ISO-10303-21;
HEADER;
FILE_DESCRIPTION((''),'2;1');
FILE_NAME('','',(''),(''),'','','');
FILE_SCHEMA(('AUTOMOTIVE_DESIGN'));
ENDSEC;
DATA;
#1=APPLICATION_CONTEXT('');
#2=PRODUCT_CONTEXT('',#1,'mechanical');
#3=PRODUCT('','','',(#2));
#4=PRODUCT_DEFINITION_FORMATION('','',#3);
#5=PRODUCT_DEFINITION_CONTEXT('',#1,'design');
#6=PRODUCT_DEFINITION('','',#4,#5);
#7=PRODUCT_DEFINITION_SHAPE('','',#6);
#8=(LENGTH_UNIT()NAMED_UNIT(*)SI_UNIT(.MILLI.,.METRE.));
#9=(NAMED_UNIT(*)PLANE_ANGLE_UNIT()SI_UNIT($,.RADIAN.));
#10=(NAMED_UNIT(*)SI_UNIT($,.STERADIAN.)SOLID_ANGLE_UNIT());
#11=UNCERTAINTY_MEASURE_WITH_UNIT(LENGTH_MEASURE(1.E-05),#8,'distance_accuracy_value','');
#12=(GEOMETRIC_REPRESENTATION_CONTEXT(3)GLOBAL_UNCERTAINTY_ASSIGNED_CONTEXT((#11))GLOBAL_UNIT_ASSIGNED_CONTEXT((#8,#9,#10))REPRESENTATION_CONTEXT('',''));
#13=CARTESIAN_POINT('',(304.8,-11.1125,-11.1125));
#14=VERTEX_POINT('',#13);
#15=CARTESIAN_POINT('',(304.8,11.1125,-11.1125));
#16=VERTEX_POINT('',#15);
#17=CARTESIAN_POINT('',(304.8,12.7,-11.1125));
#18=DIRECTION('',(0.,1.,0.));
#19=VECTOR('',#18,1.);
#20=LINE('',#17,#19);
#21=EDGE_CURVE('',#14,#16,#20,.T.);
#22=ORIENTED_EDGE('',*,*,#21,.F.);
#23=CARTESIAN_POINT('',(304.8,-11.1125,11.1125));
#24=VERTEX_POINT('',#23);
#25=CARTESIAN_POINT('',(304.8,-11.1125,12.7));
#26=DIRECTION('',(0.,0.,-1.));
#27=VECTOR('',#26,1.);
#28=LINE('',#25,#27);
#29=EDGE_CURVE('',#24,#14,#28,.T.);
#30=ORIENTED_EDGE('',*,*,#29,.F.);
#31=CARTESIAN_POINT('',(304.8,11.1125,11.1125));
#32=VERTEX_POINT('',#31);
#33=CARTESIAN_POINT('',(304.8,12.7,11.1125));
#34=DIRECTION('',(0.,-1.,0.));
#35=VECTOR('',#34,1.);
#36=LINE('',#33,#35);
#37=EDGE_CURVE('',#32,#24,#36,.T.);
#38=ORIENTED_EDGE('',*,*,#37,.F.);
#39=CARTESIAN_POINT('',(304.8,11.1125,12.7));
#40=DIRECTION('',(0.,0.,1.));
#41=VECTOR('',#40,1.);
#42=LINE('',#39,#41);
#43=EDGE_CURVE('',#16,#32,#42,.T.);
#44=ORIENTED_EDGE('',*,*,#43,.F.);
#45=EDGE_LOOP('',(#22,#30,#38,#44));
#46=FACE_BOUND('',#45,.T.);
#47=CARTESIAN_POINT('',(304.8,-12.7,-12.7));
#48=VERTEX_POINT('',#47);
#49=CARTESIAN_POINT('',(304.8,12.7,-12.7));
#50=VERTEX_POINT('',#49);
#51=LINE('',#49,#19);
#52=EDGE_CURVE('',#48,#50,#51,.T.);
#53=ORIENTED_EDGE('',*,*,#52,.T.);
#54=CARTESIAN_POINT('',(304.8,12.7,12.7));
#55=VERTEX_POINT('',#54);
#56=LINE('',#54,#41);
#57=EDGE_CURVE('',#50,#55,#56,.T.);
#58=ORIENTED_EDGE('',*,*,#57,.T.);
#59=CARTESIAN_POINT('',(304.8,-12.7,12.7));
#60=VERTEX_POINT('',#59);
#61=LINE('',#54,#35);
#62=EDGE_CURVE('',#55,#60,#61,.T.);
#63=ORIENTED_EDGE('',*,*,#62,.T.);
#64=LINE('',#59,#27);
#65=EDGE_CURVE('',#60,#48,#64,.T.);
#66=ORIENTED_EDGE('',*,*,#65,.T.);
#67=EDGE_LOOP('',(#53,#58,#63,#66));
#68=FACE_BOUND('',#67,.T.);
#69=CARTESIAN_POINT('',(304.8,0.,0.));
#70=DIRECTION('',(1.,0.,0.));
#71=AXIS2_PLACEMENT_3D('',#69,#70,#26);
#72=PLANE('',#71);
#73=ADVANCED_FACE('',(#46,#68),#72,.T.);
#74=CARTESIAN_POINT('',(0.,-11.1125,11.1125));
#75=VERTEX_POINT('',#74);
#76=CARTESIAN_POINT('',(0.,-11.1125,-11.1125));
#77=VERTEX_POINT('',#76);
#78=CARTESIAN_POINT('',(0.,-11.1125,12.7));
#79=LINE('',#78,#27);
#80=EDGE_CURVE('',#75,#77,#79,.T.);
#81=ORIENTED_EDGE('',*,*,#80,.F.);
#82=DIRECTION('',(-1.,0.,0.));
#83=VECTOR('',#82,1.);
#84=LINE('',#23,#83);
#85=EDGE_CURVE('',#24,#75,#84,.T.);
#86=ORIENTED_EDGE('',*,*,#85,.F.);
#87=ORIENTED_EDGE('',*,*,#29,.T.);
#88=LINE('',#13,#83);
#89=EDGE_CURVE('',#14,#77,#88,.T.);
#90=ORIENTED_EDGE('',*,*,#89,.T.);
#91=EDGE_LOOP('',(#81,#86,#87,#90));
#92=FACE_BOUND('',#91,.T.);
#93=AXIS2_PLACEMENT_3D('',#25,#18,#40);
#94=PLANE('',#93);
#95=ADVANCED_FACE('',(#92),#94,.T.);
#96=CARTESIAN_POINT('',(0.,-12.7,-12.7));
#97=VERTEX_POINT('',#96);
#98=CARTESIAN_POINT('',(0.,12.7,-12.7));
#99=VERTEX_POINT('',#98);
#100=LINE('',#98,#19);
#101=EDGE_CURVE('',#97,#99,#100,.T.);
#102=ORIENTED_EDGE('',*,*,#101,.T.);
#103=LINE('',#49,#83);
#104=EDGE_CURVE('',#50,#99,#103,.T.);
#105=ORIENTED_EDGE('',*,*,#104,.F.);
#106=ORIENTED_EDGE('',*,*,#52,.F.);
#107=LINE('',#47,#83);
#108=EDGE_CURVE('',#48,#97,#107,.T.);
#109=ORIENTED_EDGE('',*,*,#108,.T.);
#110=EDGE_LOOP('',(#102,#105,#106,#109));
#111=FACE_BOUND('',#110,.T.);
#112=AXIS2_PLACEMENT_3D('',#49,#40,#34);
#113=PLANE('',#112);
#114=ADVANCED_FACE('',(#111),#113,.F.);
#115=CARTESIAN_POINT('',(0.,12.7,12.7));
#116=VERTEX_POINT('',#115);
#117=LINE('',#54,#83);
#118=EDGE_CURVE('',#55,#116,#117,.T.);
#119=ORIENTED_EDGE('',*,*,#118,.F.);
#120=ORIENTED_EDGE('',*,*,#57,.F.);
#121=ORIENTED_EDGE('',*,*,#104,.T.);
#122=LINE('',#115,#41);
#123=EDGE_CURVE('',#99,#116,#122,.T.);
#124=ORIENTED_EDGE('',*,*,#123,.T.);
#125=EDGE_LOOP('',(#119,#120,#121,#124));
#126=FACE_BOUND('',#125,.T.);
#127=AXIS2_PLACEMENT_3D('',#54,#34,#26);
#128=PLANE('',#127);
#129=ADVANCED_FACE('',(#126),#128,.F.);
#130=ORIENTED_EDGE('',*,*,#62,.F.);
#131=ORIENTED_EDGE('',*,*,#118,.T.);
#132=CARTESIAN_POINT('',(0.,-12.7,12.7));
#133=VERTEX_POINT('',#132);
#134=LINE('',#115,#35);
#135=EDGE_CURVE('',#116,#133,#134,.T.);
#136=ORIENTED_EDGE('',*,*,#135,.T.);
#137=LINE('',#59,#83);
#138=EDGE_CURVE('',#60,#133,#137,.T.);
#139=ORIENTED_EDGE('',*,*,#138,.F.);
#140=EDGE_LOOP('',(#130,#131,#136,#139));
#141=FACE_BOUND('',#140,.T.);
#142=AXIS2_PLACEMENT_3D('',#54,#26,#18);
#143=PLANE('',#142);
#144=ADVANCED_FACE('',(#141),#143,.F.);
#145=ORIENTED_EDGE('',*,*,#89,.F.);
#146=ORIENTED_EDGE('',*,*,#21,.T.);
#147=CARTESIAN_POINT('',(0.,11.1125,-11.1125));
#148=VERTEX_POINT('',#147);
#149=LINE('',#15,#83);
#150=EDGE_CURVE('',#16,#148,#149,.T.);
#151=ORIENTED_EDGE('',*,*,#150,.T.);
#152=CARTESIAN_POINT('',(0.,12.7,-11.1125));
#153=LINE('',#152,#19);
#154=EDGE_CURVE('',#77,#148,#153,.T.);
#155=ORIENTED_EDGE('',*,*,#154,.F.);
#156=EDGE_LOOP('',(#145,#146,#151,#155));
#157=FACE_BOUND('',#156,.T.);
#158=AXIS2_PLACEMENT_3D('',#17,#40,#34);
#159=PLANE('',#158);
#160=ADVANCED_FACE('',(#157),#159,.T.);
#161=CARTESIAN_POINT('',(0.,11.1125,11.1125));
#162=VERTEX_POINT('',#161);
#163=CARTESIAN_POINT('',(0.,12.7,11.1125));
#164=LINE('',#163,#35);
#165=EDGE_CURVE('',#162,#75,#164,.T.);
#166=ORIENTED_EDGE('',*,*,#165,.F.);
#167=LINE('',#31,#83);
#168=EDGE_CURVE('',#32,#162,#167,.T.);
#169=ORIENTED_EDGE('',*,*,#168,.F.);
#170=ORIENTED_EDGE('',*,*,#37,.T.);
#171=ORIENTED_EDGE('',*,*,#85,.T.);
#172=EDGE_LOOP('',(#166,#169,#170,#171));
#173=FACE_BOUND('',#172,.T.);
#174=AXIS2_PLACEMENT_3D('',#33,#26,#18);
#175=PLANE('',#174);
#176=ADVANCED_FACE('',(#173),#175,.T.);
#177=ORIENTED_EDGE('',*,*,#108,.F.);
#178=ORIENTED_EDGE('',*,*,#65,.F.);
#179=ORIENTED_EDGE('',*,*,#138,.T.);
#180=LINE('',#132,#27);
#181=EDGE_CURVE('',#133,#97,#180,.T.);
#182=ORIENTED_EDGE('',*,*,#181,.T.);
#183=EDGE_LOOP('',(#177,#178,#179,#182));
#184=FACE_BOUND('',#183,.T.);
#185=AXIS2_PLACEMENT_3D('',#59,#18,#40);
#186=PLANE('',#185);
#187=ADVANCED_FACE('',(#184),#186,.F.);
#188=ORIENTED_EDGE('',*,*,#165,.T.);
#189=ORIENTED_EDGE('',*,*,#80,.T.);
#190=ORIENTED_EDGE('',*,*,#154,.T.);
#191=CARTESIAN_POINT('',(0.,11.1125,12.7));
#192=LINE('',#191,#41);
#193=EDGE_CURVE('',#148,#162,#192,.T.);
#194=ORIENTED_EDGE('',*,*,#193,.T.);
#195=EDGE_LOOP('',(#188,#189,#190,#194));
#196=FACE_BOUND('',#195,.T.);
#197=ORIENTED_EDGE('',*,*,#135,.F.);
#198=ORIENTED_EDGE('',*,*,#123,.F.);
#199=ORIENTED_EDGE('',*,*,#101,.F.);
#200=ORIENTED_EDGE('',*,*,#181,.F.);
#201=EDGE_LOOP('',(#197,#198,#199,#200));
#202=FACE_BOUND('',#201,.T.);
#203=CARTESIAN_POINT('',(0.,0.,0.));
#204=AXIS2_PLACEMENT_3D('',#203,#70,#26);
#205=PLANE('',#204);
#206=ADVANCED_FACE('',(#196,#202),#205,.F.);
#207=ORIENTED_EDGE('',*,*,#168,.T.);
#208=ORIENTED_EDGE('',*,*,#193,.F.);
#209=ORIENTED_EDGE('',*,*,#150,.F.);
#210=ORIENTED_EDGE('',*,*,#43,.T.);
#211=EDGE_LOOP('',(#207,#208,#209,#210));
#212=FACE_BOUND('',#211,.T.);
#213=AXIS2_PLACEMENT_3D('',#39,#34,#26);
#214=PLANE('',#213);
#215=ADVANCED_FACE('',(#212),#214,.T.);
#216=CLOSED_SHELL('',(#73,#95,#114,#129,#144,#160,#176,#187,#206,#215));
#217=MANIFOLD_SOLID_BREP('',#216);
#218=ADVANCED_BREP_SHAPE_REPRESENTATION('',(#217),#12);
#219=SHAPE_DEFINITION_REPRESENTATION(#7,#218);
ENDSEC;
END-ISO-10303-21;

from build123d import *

# Parameters (mm, degrees)
SKETCH2_W           = 25.4
SKETCH2_H           = 25.4
SKETCH2_W_2         = 22.225
SKETCH2_H_2         = 22.225
EXTRUDE_THIN1_DEPTH = 304.8


with BuildPart() as part:
    # Sketch2 → Extrude-Thin1 (new body)
    with BuildSketch(Plane(origin=(0, 0, 0), x_dir=(0, 0, -1), z_dir=(1, 0, 0))):
        Rectangle(SKETCH2_W, SKETCH2_H)
        Rectangle(SKETCH2_W_2, SKETCH2_H_2, mode=Mode.SUBTRACT)
    extrude(amount=EXTRUDE_THIN1_DEPTH)


solid = part.part
